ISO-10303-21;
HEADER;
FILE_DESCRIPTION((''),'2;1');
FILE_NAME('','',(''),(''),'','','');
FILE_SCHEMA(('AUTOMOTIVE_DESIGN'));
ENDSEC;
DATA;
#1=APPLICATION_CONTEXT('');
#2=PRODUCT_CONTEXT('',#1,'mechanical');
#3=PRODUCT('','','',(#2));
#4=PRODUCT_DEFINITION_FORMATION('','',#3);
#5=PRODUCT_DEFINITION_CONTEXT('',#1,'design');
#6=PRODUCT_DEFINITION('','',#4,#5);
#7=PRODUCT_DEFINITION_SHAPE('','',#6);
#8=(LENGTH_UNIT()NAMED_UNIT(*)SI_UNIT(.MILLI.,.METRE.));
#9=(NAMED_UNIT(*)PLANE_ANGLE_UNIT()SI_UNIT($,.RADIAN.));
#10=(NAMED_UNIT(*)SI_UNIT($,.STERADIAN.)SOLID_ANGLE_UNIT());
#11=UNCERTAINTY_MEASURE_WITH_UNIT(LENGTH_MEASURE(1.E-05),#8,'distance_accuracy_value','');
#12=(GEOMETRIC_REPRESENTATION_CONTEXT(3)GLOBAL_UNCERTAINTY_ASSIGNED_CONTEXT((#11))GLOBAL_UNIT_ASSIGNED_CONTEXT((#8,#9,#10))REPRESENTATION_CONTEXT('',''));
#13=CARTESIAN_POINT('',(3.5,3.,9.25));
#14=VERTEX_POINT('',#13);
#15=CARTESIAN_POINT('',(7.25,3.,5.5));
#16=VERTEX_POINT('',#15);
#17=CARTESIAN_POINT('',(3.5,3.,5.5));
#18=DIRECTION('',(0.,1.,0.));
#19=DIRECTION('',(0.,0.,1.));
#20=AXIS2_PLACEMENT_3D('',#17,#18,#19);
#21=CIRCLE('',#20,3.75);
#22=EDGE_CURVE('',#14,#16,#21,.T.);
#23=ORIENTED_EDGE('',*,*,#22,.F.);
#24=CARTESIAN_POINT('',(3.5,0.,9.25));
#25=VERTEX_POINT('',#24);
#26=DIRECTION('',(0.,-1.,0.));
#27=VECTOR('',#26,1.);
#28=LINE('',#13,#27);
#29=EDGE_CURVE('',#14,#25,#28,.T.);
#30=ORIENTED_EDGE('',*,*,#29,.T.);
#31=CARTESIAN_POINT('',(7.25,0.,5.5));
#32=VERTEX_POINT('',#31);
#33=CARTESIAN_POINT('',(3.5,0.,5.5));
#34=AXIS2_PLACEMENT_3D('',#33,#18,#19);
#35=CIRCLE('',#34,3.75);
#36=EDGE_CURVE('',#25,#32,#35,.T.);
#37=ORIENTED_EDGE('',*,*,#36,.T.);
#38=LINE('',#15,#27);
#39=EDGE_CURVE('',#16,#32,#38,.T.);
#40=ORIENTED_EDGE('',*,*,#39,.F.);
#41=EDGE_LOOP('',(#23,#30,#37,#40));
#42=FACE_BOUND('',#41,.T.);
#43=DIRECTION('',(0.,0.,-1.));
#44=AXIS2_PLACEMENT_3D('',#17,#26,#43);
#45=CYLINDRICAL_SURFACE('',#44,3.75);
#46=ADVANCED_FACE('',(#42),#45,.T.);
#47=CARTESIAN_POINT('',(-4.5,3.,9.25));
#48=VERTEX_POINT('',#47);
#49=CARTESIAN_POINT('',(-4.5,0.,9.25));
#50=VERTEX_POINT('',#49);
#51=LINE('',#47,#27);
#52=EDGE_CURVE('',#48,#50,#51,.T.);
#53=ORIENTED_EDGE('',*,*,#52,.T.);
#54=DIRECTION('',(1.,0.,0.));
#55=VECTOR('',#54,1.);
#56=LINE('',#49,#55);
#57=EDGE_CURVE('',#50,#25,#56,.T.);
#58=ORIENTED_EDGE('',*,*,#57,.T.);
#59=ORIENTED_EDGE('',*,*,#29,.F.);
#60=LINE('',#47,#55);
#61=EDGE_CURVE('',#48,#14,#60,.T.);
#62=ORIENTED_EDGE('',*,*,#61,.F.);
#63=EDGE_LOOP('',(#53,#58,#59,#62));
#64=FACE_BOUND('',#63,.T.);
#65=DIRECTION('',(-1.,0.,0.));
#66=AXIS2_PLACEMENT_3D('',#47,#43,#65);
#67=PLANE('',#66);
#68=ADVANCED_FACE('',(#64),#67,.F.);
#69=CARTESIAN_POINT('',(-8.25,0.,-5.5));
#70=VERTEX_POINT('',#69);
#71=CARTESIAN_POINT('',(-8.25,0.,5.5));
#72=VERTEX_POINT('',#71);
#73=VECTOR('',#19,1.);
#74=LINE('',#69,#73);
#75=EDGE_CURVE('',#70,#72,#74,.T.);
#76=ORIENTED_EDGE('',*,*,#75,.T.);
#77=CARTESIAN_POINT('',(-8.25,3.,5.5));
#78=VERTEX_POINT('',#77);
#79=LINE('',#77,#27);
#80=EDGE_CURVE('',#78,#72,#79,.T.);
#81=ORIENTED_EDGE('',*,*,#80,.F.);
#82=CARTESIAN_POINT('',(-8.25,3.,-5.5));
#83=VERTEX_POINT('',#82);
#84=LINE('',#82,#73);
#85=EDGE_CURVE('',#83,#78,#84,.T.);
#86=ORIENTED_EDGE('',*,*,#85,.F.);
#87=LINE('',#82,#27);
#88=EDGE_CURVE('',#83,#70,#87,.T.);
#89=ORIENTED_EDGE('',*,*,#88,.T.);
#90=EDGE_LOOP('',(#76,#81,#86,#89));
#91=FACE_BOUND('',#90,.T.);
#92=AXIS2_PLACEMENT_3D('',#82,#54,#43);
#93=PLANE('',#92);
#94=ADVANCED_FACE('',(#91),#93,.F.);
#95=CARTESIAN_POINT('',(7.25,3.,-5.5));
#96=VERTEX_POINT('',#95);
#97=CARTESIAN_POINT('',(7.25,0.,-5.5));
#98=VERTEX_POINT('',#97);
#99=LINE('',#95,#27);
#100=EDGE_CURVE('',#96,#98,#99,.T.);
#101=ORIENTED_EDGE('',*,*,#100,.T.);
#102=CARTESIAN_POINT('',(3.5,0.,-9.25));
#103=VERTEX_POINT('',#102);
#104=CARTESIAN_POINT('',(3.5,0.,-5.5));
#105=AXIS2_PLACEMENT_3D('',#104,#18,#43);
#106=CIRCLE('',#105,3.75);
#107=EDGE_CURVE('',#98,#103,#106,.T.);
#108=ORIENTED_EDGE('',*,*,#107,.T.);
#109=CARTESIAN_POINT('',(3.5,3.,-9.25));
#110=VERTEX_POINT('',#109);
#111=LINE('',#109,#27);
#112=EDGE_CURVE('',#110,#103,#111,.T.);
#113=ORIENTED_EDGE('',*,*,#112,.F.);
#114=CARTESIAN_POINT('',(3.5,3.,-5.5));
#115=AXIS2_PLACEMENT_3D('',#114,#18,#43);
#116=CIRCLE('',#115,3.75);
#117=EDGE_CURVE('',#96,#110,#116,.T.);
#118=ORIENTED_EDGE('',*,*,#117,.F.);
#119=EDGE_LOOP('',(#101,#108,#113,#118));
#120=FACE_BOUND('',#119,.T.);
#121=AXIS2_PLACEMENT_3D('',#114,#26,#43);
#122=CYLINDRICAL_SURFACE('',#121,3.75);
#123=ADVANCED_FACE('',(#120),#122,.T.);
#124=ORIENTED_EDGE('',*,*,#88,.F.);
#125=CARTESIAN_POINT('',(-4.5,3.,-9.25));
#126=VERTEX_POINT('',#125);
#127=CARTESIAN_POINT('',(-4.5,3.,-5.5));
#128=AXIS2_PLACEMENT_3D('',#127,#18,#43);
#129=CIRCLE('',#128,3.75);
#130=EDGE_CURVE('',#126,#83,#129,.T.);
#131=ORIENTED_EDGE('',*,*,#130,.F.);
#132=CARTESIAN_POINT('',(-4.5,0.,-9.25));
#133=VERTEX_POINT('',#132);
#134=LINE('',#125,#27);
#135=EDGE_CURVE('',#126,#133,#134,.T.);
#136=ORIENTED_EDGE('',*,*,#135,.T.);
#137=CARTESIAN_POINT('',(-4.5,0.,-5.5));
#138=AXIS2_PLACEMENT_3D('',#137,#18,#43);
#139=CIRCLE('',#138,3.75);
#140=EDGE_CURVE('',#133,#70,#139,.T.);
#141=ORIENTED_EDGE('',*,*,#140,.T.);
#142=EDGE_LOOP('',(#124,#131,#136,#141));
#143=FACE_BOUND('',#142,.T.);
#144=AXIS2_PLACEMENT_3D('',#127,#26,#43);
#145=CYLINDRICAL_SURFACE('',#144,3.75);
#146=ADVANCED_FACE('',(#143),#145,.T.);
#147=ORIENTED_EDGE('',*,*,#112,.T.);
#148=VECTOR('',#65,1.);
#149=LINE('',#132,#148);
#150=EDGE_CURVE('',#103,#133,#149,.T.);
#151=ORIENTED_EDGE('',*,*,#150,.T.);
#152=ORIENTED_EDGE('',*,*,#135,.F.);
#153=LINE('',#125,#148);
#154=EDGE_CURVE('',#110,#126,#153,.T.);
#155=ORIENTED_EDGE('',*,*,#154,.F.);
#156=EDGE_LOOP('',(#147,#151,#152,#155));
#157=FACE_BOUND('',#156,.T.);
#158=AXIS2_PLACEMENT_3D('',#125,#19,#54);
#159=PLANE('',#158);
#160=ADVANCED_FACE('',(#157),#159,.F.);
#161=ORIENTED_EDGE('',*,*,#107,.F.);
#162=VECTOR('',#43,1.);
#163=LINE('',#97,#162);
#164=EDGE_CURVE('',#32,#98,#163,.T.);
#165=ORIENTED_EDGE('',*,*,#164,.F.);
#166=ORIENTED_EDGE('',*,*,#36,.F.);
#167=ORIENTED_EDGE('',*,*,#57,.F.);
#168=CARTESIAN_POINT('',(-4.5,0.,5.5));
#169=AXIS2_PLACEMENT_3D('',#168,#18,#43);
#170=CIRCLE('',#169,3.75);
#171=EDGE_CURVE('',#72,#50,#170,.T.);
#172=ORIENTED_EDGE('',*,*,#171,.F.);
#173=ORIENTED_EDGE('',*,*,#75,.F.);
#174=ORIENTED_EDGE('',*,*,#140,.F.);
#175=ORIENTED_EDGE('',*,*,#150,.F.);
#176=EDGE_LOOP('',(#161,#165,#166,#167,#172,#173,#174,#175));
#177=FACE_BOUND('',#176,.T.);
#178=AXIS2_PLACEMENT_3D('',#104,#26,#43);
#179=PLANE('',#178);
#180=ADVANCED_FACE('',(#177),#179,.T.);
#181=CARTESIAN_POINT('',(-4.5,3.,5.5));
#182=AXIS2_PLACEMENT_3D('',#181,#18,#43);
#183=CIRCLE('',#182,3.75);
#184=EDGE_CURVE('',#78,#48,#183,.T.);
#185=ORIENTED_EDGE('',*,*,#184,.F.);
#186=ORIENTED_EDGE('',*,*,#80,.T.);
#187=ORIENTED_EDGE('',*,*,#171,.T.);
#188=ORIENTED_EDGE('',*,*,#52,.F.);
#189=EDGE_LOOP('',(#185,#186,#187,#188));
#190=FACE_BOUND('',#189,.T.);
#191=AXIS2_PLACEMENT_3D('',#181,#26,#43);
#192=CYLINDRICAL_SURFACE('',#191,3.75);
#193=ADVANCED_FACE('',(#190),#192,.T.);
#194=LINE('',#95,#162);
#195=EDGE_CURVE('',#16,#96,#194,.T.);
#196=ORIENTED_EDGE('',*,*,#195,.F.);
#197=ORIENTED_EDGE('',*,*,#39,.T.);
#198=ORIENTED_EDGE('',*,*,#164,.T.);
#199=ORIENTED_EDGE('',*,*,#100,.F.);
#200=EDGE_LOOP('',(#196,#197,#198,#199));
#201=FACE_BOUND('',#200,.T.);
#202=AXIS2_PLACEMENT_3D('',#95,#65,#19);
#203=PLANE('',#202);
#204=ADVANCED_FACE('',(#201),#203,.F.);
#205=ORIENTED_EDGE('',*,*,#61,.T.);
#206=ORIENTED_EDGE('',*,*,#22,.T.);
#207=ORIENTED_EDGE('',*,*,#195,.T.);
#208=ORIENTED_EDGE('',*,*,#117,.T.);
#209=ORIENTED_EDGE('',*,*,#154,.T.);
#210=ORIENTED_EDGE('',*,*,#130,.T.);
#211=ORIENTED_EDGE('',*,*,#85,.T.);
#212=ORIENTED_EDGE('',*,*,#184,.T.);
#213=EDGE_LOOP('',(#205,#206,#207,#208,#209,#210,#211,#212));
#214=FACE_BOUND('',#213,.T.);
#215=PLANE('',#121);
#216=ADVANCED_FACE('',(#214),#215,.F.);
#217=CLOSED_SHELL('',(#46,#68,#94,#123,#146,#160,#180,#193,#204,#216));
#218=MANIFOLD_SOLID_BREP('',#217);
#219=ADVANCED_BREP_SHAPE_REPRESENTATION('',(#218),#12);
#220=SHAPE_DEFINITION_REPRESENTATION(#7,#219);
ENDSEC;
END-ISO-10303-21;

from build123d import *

# Parameters (mm, degrees)
BOSS_EXTRUDE1_DEPTH = 3


with BuildPart() as part:
    # Sketch1 → Boss-Extrude1 (new body)
    with BuildSketch(Plane(origin=(0, 0, 0), x_dir=(1, 0, 0), z_dir=(0, 1, 0))):
        with BuildLine():
            Line((-4.5, 9.25), (3.5, 9.25))
            ThreePointArc((3.5, 9.25), (6.151650429, 8.151650429), (7.25, 5.5))
            Line((7.25, 5.5), (7.25, -5.5))
            ThreePointArc((7.25, -5.5), (6.151650429, -8.151650429), (3.5, -9.25))
            Line((3.5, -9.25), (-4.5, -9.25))
            ThreePointArc((-4.5, -9.25), (-7.151650429, -8.151650429), (-8.25, -5.5))
            Line((-8.25, -5.5), (-8.25, 5.5))
            ThreePointArc((-8.25, 5.5), (-7.151650429, 8.151650429), (-4.5, 9.25))
        make_face()
    extrude(amount=BOSS_EXTRUDE1_DEPTH)


solid = part.part
